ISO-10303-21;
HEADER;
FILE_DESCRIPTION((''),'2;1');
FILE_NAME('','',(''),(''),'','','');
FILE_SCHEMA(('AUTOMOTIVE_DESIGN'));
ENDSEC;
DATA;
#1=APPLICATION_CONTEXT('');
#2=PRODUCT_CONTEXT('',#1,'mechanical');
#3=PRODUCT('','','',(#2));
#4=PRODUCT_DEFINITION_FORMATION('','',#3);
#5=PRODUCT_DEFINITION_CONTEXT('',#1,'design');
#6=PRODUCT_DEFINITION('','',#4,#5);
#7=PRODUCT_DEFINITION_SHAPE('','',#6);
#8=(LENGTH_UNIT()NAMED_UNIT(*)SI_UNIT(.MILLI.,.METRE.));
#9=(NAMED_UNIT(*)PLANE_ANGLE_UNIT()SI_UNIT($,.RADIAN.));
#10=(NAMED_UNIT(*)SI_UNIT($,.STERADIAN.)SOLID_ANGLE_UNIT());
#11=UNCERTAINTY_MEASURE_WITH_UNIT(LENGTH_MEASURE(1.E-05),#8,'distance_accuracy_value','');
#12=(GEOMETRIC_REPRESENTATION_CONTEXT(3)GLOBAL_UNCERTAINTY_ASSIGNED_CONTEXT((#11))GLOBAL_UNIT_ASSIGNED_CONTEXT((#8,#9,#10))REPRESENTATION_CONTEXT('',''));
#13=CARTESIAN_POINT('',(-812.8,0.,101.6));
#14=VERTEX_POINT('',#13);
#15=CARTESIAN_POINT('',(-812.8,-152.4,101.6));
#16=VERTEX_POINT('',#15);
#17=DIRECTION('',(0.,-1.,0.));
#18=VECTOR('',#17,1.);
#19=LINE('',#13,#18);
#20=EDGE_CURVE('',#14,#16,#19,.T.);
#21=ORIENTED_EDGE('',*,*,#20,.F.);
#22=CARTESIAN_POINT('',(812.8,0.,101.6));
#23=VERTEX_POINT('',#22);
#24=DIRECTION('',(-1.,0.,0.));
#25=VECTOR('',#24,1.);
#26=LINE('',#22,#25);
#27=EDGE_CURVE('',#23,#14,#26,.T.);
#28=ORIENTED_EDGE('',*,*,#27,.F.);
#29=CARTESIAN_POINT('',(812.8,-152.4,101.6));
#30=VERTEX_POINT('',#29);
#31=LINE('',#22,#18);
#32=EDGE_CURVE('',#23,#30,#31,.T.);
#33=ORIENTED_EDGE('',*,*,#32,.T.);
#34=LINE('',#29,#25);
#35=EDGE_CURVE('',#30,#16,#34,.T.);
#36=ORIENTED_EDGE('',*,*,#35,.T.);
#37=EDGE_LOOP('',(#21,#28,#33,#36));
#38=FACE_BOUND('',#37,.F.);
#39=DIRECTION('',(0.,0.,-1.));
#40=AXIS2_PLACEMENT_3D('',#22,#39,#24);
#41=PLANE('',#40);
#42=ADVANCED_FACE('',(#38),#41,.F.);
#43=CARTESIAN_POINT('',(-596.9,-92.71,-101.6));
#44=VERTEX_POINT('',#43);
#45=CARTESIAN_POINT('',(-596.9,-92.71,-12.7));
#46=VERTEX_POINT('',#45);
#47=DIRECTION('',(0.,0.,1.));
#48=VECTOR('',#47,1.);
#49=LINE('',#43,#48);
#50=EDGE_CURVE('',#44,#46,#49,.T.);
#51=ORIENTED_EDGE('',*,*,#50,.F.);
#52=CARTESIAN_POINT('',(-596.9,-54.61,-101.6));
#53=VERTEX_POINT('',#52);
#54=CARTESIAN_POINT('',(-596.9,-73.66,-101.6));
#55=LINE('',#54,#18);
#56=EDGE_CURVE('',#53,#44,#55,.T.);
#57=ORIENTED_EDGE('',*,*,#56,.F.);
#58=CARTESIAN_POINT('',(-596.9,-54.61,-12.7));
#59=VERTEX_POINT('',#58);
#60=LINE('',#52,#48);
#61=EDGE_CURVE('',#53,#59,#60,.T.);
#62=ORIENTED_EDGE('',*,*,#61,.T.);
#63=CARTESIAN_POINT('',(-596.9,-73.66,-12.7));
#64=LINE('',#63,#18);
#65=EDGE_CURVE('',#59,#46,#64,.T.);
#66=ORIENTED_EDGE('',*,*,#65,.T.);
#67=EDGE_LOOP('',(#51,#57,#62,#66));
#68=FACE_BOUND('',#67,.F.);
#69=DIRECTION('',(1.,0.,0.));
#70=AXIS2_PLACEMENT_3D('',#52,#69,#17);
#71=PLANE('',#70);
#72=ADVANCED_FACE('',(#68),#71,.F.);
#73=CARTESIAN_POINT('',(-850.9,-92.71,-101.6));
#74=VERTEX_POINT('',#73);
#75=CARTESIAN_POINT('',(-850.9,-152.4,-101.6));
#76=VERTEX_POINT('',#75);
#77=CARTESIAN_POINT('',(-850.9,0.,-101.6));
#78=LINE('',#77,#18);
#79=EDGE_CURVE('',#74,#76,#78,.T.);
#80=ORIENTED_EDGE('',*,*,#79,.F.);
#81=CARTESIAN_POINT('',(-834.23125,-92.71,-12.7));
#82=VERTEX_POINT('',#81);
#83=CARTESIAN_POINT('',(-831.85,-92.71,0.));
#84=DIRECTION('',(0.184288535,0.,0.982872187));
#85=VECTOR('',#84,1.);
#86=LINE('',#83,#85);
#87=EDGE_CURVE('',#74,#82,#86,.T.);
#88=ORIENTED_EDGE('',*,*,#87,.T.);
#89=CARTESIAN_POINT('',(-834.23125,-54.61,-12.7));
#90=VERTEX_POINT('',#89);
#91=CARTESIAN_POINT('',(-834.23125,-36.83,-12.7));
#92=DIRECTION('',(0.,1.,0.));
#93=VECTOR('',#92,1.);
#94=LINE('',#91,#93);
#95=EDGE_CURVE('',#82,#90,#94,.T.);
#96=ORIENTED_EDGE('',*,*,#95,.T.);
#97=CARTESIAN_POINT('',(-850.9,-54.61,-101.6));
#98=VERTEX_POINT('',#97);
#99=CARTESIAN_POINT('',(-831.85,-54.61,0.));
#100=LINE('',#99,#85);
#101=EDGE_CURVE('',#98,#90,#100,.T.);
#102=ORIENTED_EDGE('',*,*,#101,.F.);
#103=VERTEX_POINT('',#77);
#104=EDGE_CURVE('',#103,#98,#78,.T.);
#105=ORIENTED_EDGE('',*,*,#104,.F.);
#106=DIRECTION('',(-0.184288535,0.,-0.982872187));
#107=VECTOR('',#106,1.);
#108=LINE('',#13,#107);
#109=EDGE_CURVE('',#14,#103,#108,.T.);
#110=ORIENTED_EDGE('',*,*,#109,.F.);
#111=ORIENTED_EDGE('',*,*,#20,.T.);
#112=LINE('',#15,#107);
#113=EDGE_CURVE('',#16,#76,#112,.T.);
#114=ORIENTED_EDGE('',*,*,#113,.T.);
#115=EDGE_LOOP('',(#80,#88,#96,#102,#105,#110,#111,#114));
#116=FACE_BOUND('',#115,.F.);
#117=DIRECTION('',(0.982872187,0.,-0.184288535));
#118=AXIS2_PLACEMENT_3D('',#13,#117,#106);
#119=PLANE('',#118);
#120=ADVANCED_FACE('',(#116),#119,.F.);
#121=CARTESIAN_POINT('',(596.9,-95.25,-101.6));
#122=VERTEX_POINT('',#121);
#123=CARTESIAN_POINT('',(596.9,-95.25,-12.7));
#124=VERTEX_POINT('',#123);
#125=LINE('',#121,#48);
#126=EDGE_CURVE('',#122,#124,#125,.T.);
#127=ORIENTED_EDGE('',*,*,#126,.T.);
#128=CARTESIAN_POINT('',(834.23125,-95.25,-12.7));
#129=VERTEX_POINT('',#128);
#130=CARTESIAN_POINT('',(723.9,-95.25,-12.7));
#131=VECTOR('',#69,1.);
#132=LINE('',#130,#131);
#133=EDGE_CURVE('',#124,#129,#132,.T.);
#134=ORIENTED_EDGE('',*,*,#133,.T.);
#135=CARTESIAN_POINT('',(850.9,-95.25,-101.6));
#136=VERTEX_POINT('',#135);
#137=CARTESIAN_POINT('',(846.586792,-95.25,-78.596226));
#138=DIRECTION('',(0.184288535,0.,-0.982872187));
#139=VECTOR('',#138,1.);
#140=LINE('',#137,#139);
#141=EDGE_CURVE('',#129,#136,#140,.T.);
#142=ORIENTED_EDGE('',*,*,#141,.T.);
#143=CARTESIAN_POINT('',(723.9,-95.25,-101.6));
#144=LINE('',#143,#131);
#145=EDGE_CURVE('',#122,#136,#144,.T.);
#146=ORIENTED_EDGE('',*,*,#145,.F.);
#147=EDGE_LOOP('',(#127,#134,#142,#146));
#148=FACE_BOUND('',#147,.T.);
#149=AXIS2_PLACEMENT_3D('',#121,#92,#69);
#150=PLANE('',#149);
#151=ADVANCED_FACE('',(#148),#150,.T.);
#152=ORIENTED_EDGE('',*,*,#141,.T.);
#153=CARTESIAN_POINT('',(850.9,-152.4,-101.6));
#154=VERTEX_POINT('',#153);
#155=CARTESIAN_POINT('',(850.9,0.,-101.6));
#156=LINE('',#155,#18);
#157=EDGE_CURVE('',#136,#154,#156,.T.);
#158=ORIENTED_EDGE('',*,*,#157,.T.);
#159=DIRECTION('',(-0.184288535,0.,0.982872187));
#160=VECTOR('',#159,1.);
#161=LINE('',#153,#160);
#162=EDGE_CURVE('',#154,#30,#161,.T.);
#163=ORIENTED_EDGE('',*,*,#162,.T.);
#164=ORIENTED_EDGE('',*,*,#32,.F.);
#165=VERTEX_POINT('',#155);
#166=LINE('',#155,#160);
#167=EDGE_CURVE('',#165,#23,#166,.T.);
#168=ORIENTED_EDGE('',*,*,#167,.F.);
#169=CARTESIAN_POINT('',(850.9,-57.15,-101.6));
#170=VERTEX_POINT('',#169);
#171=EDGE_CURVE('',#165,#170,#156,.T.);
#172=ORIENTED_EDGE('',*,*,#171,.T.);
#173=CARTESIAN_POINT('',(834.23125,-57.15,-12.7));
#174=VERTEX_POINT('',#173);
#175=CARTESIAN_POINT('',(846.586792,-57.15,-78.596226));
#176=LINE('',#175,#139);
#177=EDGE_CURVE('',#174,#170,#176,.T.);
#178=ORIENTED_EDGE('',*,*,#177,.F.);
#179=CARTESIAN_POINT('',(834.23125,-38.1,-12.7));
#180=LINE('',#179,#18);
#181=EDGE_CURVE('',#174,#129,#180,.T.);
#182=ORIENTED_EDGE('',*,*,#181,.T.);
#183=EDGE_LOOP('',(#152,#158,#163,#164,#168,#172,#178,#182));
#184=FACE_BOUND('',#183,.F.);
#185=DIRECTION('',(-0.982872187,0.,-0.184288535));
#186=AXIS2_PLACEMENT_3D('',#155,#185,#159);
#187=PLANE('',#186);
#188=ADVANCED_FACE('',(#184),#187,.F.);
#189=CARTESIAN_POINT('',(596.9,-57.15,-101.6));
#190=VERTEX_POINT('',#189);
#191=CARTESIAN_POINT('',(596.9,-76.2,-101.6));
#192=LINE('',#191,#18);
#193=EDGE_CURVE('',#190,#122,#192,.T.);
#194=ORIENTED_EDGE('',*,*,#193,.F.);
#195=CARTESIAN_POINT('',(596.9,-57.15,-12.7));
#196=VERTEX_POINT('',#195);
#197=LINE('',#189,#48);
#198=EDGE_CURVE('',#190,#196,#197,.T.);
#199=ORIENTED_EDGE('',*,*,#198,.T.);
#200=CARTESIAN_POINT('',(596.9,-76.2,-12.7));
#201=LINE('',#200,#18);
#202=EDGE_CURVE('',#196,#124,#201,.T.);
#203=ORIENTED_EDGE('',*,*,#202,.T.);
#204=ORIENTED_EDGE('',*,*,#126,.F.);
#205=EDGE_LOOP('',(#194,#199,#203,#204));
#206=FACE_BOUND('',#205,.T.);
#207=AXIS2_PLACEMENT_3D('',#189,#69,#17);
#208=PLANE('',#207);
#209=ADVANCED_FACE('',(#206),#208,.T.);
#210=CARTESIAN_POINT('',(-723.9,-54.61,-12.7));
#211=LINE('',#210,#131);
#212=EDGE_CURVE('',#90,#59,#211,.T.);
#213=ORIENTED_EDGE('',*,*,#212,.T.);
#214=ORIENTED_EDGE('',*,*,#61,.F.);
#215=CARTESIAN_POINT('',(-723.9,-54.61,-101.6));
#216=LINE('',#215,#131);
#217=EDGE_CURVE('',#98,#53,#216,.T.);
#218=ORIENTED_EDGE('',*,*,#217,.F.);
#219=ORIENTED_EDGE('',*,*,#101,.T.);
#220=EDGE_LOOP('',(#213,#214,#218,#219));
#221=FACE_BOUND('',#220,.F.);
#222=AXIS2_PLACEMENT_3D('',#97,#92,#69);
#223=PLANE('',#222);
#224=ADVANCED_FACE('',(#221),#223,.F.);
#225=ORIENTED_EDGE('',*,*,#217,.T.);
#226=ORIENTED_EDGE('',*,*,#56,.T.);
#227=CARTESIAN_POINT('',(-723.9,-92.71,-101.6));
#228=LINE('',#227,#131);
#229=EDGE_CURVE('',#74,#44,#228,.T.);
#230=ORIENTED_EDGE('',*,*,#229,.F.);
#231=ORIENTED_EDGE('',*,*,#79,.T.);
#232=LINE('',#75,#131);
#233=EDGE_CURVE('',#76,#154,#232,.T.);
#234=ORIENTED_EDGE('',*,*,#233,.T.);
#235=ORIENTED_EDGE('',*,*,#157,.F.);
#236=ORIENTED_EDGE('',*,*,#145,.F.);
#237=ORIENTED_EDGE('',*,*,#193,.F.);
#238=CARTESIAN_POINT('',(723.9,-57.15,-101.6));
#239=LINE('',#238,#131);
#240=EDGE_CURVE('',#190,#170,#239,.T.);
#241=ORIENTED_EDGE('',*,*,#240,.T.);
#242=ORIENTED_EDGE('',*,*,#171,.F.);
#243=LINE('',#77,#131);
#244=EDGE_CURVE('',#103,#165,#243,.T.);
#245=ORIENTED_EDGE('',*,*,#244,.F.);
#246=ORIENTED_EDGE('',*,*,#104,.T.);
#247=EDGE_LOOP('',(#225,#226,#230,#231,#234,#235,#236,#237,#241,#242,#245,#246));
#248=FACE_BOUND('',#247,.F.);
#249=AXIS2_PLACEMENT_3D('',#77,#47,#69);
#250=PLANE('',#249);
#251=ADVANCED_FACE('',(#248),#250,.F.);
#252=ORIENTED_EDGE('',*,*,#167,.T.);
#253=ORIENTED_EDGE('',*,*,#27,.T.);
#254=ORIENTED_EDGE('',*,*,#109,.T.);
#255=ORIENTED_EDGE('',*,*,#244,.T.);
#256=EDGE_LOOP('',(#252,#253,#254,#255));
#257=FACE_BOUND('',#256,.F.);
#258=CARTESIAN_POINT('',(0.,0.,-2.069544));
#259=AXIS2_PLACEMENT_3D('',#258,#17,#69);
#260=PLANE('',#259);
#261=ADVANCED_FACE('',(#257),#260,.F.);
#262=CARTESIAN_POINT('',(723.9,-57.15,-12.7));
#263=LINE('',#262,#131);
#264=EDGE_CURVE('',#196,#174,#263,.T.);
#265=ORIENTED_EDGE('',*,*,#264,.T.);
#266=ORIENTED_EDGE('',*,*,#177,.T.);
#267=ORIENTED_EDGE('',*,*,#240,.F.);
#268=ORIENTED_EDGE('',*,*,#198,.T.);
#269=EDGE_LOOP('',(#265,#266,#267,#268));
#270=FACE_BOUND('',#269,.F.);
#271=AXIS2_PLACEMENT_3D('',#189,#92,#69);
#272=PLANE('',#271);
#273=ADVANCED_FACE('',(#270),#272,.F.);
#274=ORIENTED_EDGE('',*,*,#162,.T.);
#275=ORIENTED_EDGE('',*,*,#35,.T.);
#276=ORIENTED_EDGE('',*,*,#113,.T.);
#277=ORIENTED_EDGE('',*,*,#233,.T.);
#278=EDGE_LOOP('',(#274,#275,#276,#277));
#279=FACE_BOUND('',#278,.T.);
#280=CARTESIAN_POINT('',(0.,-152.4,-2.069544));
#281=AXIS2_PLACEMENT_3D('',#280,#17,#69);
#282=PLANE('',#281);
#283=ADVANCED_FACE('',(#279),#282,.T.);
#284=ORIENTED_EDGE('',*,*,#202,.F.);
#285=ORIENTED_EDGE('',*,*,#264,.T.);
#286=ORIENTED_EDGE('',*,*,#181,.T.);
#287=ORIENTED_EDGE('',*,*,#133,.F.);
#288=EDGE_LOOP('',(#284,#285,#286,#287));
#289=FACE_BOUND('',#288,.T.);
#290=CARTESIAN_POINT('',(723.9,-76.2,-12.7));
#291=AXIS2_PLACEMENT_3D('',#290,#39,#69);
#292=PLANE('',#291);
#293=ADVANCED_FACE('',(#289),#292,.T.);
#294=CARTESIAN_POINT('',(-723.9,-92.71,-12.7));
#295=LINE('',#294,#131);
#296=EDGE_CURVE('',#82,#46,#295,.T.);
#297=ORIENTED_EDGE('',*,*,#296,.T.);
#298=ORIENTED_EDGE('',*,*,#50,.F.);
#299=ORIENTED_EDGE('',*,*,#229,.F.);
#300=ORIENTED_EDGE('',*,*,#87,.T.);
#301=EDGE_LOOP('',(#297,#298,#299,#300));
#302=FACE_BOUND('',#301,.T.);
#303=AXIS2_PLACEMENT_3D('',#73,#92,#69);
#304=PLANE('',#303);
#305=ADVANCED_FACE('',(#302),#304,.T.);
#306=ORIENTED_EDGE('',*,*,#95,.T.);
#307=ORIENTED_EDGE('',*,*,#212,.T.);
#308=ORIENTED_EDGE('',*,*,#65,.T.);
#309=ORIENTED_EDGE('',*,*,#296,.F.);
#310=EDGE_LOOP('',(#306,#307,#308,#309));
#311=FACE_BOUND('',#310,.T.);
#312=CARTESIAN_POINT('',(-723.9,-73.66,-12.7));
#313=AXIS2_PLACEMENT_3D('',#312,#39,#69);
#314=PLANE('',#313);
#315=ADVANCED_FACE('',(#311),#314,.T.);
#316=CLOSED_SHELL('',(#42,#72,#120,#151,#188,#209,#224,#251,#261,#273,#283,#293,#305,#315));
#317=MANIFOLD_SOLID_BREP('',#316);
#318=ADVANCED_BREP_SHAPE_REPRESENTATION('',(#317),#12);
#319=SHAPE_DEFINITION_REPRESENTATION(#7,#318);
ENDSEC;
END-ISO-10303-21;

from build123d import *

# Parameters (mm, degrees)
F1_DEPTH = 152.4
F2_W     = 254
F2_H     = 38.1
F3_DEPTH = 88.9


with BuildPart() as f1:
    # F0 (on Front) → F1 (new body)
    with BuildSketch(Plane.XZ):
        Polygon((812.8, 101.6), (-812.8, 101.6), (-850.9, -101.6), (850.9, -101.6), align=None)
    extrude(amount=F1_DEPTH)

    # F2 (on face) → F3 (cut)
    with BuildSketch(Plane(origin=(0, 0, -101.6), x_dir=(1, 0, 0), z_dir=(0, 0, -1))):
        with Locations((-723.9, 73.66)):
            Rectangle(F2_W, F2_H)
        with Locations((723.9, 76.2)):
            Rectangle(F2_W, F2_H)
    extrude(amount=-F3_DEPTH, mode=Mode.SUBTRACT)


solid = f1.part
